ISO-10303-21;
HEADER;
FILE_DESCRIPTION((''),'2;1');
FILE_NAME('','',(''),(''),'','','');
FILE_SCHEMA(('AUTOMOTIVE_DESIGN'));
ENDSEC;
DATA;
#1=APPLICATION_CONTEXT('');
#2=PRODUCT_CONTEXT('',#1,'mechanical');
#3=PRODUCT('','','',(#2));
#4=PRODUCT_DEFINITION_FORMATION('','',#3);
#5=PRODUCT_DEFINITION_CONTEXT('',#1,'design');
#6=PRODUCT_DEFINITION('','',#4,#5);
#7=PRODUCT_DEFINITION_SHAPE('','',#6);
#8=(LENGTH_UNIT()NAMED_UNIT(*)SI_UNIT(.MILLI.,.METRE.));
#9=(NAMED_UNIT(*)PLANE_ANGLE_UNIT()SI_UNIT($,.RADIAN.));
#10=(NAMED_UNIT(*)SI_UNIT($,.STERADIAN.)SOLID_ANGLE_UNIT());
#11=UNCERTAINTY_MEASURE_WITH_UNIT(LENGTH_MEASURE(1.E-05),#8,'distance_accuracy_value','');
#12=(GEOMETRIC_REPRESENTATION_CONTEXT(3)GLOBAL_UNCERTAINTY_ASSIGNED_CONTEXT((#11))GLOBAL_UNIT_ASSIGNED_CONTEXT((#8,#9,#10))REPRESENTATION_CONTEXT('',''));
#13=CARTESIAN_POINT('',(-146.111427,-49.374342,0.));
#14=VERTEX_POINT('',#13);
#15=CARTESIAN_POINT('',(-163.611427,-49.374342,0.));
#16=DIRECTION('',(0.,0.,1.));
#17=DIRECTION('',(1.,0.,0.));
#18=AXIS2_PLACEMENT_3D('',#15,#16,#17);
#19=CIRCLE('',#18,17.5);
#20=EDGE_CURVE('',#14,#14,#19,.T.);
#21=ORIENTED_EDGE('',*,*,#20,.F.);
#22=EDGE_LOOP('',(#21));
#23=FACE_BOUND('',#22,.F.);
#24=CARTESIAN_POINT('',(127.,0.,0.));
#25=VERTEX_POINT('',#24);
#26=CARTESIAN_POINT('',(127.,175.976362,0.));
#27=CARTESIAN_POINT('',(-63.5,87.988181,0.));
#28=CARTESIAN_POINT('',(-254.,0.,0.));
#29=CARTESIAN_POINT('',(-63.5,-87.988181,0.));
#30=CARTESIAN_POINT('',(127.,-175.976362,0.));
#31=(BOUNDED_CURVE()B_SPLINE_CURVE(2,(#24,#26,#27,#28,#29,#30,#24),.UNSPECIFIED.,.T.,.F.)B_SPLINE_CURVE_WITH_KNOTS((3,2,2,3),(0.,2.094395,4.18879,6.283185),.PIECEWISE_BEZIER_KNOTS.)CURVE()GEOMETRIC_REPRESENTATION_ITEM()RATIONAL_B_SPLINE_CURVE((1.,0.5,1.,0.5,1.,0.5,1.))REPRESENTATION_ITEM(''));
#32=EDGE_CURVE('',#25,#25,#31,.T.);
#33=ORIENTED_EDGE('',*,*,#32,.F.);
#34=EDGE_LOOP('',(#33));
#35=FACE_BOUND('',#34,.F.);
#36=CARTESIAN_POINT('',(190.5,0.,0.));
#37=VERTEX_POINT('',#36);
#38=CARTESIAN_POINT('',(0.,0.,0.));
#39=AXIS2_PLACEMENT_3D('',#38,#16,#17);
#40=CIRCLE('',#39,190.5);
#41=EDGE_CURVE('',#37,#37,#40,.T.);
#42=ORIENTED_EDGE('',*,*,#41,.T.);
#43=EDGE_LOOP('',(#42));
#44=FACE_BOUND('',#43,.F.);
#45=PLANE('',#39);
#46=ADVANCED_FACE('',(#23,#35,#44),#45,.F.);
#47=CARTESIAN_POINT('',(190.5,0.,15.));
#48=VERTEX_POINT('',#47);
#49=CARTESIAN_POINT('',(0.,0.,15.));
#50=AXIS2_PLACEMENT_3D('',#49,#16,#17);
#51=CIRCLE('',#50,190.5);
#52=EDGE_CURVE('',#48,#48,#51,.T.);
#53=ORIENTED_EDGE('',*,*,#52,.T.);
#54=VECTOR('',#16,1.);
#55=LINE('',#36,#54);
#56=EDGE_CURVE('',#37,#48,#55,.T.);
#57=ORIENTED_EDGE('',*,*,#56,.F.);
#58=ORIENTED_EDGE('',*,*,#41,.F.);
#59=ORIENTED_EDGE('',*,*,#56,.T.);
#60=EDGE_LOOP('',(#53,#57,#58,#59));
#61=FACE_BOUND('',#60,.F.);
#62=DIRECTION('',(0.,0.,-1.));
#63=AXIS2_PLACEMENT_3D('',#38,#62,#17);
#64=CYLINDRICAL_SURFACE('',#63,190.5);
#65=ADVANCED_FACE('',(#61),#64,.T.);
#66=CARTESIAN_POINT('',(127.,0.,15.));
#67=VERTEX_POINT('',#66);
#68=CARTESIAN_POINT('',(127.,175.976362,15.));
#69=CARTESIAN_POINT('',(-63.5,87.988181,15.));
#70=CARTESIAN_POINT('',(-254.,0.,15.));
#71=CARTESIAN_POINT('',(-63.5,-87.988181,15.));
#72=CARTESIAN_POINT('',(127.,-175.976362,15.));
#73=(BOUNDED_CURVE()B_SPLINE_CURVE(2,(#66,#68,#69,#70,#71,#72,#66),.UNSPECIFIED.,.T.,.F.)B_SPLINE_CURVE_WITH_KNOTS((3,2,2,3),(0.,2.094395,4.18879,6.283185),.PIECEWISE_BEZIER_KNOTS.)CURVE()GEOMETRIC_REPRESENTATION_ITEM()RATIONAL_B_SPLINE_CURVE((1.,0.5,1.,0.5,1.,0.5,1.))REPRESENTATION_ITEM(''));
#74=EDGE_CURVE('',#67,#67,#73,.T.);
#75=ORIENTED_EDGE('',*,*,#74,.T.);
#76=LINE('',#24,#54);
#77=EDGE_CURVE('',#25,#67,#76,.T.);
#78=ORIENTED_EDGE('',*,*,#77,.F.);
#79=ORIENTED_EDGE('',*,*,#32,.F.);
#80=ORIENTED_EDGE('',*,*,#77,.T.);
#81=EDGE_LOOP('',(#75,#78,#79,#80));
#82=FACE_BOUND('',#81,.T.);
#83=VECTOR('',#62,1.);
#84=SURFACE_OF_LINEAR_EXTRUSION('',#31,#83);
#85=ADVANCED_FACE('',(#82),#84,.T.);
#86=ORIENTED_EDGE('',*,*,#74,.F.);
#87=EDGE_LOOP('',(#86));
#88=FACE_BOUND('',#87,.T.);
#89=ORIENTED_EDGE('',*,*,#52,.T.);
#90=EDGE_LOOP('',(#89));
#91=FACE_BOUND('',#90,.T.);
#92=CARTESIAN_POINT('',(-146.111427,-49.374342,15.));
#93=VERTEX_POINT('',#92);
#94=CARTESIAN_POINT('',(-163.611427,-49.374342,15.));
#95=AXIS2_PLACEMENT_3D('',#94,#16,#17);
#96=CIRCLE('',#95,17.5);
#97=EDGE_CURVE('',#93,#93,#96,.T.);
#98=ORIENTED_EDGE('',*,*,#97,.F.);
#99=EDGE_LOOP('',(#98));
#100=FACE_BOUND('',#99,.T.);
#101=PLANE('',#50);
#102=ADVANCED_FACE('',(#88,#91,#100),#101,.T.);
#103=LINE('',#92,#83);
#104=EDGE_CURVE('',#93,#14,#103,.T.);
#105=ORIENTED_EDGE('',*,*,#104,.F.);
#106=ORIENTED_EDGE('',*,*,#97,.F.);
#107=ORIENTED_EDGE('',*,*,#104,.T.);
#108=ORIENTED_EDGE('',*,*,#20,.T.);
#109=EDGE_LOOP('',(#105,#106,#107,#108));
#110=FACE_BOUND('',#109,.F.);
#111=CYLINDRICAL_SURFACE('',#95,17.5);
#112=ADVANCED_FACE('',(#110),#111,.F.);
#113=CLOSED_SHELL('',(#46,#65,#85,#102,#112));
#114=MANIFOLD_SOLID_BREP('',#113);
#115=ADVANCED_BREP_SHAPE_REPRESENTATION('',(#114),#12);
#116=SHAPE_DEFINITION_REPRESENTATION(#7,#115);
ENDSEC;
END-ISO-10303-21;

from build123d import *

# Parameters (mm, degrees)
F0_R     = 190.5
F1_DEPTH = 15
F2_R     = 17.5
F3_DEPTH = 53.616541


with BuildPart() as f1:
    # F0 (on Top) → F1 (new body)
    with BuildSketch(Plane.XY):
        Circle(F0_R)
        with BuildLine():
            add(Edge.make_bspline(
                [(127, 0), (127, 175.976362), (-63.5, 87.988181), (-254, 0), (-63.5, -87.988181), (127, -175.976362), (127, 0)],
                knots=[0, 0, 0, 2.094395, 2.094395, 4.18879, 4.18879, 6.283185, 6.283185, 6.283185], degree=2, weights=[1, 0.5, 1, 0.5, 1, 0.5, 1]))
        make_face(mode=Mode.SUBTRACT)
    extrude(amount=F1_DEPTH)

    # F2 (on face) → F3 (cut)
    with BuildSketch(Plane.XY.offset(15)):
        with Locations((-163.611427, -49.374342)):
            Circle(F2_R)
    extrude(amount=-F3_DEPTH, mode=Mode.SUBTRACT)


solid = f1.part
